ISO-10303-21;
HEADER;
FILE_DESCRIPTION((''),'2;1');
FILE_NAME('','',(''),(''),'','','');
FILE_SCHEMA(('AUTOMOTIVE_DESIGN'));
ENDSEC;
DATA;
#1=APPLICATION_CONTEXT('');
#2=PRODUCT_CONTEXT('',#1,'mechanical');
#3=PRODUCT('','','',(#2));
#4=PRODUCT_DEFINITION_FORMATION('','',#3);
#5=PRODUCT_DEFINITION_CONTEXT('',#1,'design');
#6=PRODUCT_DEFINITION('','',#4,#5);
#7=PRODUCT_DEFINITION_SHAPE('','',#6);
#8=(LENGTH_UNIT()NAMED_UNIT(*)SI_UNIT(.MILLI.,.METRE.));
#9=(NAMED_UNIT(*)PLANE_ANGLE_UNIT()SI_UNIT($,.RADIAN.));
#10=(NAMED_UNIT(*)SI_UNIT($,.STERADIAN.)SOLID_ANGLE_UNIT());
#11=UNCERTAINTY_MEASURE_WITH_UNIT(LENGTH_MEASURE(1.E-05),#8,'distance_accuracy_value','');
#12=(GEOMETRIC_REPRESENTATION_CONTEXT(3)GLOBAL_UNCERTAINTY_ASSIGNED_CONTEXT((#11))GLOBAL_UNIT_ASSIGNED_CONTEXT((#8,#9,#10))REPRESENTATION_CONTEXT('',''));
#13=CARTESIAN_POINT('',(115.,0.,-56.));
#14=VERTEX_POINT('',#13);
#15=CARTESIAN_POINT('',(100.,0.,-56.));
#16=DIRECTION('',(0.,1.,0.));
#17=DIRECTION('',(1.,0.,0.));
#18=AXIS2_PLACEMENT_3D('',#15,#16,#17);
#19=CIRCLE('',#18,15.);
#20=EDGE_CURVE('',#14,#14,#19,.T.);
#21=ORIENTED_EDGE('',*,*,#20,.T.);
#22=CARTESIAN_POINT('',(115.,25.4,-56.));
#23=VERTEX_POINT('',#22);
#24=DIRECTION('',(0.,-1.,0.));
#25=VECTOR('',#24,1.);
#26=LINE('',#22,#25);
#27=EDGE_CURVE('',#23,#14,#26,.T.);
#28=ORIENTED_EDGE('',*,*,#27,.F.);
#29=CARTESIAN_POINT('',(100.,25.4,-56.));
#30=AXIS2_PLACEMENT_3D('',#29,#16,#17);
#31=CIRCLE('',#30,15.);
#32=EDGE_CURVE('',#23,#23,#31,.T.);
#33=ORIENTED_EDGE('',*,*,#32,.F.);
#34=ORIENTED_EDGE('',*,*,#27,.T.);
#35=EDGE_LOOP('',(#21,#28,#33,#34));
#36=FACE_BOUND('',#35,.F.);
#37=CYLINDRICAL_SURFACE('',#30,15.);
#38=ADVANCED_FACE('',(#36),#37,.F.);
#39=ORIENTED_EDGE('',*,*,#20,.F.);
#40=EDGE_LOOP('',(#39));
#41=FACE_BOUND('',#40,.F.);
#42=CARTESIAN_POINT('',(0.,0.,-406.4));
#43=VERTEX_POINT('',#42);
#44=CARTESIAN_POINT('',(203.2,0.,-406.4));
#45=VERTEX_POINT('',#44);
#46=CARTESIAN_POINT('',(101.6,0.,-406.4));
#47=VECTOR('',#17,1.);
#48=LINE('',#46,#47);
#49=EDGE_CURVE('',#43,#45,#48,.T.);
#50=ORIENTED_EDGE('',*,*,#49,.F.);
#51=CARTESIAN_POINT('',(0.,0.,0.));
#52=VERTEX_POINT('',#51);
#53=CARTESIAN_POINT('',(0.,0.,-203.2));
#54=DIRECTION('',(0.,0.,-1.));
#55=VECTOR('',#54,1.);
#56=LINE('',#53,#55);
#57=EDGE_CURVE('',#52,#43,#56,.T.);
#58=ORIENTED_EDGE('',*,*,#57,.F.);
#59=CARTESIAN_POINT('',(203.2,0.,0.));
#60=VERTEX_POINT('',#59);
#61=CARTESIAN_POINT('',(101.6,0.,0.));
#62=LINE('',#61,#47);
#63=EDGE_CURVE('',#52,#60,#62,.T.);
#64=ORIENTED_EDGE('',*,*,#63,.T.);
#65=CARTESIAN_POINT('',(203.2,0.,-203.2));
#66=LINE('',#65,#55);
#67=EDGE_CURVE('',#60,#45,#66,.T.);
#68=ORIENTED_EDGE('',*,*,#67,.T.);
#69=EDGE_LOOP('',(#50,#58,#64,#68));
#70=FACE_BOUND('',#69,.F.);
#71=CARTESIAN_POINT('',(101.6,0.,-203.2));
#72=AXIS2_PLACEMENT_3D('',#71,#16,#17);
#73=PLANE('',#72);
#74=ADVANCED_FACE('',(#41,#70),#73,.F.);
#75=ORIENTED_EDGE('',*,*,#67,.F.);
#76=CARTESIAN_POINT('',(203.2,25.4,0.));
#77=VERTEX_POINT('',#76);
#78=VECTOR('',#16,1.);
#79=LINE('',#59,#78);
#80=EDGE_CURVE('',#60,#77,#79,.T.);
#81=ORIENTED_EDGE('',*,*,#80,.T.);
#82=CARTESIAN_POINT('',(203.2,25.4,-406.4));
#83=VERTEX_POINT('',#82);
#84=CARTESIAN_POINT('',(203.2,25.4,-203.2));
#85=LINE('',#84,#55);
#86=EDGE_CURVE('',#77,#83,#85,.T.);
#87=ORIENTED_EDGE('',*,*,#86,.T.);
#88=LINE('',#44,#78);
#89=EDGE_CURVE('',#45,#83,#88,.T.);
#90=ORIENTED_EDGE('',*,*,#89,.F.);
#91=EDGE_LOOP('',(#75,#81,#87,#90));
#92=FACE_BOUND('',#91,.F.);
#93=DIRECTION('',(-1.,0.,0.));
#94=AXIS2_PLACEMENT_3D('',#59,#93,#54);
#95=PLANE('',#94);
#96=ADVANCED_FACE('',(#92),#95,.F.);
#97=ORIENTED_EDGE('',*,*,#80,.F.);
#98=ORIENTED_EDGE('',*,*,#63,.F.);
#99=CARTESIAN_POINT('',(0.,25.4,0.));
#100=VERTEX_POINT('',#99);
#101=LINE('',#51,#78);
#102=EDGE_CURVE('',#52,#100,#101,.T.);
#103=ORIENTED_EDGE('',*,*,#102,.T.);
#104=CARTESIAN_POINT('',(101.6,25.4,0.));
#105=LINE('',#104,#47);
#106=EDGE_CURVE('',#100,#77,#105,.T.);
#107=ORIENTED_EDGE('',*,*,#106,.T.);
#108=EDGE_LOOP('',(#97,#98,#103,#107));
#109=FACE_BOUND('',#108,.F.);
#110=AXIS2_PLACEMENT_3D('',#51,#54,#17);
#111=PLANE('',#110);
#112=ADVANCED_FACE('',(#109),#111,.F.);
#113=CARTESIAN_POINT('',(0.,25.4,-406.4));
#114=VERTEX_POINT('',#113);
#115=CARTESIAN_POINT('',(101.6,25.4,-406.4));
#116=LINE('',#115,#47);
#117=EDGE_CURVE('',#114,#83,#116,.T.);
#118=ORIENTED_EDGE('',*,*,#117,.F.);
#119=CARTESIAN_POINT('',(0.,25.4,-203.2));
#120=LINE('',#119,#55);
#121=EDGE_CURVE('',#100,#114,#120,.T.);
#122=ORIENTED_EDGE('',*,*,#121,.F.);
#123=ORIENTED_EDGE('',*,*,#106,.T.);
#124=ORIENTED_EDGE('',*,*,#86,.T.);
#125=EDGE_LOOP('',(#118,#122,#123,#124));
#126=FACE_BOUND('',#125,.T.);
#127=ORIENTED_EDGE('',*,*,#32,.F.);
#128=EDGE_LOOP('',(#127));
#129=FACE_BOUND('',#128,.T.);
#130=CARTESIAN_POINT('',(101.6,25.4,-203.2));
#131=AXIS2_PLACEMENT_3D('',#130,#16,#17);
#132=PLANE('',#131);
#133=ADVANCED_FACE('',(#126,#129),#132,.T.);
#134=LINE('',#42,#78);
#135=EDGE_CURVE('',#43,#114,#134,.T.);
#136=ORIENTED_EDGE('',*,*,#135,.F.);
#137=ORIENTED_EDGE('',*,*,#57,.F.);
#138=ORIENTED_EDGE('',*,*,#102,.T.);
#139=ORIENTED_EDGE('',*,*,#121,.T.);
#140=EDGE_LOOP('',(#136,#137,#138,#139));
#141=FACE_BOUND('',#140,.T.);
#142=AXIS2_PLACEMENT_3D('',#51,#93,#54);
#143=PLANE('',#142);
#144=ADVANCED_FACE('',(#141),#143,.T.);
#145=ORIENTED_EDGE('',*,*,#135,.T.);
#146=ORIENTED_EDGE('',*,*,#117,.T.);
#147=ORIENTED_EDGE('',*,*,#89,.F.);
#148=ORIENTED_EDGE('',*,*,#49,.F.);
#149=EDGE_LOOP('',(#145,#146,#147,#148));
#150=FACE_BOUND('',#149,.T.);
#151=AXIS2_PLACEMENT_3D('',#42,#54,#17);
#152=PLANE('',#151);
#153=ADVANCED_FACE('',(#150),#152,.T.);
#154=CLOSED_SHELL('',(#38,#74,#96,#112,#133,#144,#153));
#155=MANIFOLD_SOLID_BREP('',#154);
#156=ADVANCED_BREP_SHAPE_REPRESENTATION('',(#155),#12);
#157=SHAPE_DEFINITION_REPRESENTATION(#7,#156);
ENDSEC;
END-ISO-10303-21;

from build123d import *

# Parameters (mm, degrees)
SKETCH1_W           = 203.2
SKETCH1_H           = 406.4
BOSS_EXTRUDE1_DEPTH = 25.4
SKETCH3_R           = 15
CUT_EXTRUDE2_DEPTH  = 25.4


with BuildPart() as part:
    # Sketch1 → Boss-Extrude1 (new body)
    with BuildSketch(Plane(origin=(0, 0, 0), x_dir=(1, 0, 0), z_dir=(0, 1, 0))):
        with Locations((101.6, 203.2)):
            Rectangle(SKETCH1_W, SKETCH1_H)
    extrude(amount=BOSS_EXTRUDE1_DEPTH)

    # Sketch3 → Cut-Extrude2 (cut)
    with BuildSketch(Plane(origin=(0, 25.4, 0), x_dir=(1, 0, 0), z_dir=(0, 1, 0))):
        with Locations((100, 56)):
            Circle(SKETCH3_R)
    extrude(amount=-CUT_EXTRUDE2_DEPTH, mode=Mode.SUBTRACT)


solid = part.part
